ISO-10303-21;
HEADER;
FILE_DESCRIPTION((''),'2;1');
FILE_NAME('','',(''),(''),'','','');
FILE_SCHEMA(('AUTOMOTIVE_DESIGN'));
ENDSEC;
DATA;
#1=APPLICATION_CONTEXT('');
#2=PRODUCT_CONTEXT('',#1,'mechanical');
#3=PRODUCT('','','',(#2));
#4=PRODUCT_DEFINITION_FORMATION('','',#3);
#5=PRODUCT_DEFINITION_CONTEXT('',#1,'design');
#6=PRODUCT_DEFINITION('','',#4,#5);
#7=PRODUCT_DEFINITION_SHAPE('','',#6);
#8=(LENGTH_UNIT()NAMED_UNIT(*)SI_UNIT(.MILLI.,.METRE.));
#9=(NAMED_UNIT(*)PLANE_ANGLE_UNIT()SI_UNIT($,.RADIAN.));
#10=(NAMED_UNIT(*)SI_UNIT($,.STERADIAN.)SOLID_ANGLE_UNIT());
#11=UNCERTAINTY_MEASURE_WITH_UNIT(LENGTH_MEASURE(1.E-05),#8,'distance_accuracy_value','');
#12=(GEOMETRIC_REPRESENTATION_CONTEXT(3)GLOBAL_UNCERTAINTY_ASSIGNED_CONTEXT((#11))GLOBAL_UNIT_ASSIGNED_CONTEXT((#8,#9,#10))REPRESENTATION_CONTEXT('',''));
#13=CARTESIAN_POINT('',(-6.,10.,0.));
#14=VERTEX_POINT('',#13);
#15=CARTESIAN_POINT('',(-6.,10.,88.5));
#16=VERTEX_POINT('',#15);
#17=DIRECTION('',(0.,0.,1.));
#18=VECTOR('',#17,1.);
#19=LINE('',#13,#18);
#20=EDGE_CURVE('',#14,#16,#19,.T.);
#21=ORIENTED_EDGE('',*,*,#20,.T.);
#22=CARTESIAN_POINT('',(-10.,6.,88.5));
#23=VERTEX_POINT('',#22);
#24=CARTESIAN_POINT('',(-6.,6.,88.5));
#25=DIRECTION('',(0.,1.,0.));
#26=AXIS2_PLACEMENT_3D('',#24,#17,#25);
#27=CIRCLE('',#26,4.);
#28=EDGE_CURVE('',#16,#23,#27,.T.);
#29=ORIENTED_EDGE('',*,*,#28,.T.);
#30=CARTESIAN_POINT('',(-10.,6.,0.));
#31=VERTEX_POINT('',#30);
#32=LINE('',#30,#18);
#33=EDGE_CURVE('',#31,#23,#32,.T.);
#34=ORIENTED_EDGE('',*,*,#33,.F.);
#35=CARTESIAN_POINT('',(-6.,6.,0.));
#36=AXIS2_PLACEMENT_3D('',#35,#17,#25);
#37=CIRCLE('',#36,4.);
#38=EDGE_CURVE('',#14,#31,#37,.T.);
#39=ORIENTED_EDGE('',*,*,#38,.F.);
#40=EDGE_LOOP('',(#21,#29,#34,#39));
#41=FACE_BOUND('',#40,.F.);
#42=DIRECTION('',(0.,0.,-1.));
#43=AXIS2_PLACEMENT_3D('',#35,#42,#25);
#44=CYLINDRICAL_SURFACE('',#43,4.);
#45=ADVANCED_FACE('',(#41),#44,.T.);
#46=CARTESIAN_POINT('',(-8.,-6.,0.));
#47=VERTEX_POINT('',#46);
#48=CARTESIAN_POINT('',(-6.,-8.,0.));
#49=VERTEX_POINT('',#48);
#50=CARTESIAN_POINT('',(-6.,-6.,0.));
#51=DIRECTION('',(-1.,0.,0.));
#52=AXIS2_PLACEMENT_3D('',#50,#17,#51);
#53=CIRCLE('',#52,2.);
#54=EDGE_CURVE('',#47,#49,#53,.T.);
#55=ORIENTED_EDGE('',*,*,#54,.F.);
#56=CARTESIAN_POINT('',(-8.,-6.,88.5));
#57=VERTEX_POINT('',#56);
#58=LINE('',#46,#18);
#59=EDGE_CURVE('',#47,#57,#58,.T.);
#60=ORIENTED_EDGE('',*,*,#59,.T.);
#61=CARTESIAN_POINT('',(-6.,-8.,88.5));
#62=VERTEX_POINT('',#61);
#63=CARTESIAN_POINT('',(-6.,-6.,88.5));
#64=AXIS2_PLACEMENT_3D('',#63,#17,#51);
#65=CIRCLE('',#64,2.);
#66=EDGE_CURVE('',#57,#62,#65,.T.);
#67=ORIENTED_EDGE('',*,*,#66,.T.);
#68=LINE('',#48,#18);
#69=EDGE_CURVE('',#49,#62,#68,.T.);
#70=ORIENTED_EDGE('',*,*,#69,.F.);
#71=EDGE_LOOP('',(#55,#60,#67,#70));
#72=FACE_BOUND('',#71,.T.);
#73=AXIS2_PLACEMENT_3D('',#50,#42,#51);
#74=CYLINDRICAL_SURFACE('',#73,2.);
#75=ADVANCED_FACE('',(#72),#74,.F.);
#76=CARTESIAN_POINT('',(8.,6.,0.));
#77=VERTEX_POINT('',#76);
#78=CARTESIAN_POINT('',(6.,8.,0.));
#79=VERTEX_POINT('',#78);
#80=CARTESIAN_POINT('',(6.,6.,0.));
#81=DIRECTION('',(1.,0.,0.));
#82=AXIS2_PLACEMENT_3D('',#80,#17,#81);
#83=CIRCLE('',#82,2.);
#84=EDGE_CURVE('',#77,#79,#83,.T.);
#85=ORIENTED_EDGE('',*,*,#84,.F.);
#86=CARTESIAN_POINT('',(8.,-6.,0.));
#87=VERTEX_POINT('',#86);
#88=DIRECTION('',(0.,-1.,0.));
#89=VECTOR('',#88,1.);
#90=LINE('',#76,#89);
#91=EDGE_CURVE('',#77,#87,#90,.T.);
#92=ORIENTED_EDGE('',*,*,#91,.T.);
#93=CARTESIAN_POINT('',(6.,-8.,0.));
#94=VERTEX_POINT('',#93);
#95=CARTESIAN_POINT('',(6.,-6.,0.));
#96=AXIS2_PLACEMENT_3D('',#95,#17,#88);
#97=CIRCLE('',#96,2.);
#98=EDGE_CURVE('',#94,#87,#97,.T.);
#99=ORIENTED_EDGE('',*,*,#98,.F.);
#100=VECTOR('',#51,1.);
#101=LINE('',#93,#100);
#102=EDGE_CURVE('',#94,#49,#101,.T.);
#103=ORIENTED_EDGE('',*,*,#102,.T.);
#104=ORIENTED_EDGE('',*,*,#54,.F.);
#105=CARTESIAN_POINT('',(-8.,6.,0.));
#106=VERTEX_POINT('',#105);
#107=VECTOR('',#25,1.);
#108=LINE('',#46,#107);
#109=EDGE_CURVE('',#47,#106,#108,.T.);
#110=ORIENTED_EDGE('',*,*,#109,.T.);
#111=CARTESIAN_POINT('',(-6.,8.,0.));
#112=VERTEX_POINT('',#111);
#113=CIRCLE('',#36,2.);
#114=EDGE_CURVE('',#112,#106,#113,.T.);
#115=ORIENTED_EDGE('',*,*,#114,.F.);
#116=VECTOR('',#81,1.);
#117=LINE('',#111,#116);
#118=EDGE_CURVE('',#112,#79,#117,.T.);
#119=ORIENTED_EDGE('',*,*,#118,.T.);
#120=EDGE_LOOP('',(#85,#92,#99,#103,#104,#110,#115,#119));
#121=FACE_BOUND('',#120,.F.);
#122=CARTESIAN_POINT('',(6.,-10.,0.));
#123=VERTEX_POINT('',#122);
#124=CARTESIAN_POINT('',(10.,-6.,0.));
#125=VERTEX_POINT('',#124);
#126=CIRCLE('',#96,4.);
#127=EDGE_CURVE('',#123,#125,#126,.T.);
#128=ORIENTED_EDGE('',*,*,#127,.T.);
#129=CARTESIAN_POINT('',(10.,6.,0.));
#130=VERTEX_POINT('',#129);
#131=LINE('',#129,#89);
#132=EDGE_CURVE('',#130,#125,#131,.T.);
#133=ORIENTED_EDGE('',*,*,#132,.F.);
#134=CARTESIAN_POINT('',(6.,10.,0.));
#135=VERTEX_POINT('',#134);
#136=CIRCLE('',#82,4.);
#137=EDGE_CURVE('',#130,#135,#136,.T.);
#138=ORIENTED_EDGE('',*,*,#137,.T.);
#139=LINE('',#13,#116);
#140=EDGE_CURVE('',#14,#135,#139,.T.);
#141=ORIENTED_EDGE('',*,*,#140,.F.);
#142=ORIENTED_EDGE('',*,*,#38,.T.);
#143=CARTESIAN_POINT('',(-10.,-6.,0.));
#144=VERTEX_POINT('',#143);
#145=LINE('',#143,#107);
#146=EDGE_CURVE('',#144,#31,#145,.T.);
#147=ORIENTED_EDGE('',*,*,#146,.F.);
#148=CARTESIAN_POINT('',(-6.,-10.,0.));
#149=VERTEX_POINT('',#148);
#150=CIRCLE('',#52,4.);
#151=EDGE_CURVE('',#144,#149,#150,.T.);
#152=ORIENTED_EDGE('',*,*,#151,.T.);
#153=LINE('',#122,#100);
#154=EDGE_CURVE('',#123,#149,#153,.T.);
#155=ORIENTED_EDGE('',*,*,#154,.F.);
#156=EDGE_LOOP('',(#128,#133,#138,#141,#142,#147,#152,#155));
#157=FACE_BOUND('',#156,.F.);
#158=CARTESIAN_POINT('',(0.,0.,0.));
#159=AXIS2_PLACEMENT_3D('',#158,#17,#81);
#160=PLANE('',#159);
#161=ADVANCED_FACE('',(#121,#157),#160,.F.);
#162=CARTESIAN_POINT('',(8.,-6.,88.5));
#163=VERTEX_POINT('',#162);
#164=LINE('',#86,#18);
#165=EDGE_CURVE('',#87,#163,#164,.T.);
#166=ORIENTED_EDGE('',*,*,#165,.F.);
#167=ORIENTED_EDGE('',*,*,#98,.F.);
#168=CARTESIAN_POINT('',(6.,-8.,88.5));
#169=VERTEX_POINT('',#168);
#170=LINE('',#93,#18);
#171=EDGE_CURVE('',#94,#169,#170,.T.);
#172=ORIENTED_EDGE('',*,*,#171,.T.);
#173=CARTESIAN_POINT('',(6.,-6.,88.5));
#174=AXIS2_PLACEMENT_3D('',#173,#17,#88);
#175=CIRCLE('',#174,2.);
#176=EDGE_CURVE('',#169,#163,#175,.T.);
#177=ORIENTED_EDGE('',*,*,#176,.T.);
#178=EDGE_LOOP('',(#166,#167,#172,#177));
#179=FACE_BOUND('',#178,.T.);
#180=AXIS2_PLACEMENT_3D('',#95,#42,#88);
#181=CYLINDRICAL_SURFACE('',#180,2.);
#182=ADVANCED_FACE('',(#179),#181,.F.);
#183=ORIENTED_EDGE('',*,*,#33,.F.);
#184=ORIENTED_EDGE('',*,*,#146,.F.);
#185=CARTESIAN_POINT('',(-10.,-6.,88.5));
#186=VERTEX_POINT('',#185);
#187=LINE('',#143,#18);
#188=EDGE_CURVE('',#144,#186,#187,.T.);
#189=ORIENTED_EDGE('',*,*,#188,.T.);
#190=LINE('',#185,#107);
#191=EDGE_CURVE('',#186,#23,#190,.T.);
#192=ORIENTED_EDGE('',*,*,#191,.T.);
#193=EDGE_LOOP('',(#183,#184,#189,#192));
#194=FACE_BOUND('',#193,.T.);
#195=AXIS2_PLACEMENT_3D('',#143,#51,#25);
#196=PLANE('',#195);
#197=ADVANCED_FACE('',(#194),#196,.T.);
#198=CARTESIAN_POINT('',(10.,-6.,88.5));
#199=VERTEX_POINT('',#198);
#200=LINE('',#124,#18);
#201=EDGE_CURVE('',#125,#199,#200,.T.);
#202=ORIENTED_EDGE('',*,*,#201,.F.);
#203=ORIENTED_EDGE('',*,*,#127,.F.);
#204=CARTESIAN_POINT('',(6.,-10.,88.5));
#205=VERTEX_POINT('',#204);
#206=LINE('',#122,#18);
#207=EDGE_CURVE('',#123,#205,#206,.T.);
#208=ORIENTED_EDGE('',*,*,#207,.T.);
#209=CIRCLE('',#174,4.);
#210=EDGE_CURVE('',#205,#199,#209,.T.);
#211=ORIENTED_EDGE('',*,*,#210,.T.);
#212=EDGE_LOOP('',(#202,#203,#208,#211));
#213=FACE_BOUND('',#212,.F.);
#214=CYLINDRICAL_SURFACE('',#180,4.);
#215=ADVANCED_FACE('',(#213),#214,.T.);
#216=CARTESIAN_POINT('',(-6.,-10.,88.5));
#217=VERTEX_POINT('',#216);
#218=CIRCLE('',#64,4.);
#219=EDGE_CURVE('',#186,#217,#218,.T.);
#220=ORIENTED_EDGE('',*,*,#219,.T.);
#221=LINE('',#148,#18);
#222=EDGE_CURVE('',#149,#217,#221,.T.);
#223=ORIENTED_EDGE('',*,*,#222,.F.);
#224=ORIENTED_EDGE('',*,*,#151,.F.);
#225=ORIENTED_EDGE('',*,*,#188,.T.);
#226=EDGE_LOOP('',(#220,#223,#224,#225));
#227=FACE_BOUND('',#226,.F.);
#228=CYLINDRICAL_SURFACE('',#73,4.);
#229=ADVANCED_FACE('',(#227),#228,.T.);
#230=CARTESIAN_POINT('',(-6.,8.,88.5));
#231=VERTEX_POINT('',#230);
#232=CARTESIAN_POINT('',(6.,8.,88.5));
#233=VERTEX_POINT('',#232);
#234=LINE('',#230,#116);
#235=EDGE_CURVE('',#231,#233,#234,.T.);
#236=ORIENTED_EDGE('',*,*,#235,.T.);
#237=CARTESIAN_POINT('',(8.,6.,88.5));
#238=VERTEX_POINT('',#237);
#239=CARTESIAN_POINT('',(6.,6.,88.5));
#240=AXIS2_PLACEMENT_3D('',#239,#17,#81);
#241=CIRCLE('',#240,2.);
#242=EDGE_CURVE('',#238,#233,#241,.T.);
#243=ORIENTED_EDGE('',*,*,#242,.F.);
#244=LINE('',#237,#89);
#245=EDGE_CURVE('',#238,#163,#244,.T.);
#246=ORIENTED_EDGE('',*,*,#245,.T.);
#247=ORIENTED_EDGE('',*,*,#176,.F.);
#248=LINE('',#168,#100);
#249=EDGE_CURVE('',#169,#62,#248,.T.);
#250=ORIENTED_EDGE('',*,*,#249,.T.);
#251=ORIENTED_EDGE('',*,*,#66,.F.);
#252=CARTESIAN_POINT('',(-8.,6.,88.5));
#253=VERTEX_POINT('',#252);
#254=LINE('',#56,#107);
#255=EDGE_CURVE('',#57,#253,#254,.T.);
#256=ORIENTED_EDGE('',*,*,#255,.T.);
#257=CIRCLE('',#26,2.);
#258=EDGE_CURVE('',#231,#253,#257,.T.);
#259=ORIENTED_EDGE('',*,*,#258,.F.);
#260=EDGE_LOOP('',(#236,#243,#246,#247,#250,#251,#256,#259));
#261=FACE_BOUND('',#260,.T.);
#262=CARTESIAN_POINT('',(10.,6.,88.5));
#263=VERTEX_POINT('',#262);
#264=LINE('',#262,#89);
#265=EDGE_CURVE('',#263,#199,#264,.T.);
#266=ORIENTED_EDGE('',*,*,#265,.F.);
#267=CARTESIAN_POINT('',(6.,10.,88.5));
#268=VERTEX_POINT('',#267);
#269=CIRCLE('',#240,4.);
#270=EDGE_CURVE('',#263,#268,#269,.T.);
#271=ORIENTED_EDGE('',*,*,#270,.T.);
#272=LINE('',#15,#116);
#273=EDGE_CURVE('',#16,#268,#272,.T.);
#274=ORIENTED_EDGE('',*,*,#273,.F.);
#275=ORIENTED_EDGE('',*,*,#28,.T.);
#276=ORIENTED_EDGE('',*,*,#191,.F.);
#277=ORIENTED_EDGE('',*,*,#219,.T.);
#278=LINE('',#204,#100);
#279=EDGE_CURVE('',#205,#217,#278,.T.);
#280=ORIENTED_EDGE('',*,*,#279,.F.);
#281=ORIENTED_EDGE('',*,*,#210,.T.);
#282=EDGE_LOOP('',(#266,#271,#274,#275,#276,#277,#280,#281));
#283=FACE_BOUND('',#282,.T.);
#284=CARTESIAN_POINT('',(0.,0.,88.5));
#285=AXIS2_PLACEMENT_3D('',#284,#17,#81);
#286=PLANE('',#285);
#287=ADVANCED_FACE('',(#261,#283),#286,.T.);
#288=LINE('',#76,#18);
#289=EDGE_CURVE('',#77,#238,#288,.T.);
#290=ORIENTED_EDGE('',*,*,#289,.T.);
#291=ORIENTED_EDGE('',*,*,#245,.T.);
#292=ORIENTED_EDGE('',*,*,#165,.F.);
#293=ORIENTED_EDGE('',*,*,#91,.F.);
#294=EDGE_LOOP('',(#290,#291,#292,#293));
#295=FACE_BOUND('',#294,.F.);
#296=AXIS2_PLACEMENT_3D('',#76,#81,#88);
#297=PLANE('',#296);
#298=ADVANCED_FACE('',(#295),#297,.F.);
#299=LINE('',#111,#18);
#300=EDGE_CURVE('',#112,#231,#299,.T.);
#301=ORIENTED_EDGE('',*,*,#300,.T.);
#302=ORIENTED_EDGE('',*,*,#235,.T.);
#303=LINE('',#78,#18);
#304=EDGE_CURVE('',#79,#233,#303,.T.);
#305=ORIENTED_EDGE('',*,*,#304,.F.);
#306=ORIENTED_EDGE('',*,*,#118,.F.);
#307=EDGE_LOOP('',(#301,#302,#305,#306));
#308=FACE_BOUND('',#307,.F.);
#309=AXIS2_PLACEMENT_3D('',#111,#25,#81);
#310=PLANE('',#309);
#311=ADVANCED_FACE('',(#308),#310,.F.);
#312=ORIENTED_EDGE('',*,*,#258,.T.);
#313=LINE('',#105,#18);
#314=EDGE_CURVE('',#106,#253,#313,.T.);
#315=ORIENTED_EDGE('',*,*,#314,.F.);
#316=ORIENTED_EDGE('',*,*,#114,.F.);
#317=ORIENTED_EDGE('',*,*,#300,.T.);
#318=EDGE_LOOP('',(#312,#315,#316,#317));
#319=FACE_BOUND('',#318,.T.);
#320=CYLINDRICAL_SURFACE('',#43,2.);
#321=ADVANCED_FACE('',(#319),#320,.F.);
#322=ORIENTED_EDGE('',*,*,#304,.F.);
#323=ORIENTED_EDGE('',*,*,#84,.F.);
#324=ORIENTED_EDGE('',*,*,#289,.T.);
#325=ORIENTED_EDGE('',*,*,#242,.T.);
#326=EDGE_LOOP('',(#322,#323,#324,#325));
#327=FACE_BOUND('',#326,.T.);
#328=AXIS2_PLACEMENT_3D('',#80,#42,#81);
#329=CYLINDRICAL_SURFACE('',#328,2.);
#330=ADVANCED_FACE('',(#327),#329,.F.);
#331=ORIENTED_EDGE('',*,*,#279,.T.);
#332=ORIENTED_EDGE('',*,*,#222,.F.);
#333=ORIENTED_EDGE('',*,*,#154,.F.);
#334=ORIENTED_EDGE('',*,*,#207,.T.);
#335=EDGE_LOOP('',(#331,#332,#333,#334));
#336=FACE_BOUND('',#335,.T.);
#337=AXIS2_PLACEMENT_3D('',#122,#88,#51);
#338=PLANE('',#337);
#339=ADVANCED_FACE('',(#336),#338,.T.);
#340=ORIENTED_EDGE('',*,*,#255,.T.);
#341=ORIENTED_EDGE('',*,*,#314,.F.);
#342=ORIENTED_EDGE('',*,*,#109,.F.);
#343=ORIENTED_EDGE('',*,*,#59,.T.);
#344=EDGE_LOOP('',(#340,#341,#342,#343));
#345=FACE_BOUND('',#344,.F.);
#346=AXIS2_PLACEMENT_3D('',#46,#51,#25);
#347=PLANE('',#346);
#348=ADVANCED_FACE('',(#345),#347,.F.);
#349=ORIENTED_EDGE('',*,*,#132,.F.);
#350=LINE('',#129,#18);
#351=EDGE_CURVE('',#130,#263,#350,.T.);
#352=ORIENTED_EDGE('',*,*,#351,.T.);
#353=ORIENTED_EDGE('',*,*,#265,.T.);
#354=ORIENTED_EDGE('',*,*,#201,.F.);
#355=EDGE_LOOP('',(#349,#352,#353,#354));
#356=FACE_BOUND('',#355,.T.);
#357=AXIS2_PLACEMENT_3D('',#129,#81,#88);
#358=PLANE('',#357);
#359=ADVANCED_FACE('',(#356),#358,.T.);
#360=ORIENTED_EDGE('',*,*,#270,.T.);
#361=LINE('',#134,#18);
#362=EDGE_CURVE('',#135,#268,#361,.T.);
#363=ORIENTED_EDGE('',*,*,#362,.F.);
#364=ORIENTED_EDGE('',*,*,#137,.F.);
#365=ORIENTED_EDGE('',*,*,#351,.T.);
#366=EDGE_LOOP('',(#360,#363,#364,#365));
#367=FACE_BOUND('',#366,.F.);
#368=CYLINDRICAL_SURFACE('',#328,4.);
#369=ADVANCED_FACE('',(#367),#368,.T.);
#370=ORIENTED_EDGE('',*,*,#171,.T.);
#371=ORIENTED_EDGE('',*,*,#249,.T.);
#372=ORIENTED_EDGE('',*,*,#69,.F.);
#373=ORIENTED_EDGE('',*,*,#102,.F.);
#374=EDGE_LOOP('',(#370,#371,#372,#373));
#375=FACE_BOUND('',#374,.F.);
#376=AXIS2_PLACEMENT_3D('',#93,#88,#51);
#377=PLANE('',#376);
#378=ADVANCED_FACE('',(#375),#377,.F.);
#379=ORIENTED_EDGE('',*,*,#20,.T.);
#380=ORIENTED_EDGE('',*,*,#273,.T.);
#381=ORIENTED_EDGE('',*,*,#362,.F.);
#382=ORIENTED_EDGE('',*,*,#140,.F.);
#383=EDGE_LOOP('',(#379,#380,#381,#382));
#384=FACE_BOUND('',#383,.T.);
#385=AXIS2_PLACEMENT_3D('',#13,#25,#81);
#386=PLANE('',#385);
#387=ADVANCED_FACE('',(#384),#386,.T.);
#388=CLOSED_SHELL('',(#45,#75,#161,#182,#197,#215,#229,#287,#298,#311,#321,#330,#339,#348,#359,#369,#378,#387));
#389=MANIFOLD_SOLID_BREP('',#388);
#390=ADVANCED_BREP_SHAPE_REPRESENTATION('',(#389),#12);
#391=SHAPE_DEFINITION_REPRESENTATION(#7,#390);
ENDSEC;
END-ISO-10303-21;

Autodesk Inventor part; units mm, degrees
ref_plane "YZ Plane" through (0, 0, 0) normal (1, 0, 0) x (0, 1, 0)
ref_plane "Plan de départ" through (0, 0, 0) normal (0, 0, 1) x (1, 0, 0)
ref_plane "Plan de fin" through (0, 0, 88.5) normal (0, 0, 1) x (1, 0, 0)
sketch "Esquisse" plane through (0, 0, 0) normal (0, 0, 1) x (1, 0, 0)
  line L0 (-10, -6) -> (-10, 6)
  line L1 (-6, 10) -> (6, 10)
  line L2 (10, 6) -> (10, -6)
  line L3 (6, -10) -> (-6, -10)
  arc A0 (-10, -6) -> (-6, -10) centre (-6, -6) ccw
  arc A1 (10, 6) -> (6, 10) centre (6, 6) ccw
  arc A2 (-6, 10) -> (-10, 6) centre (-6, 6) ccw
  arc A3 (6, -10) -> (10, -6) centre (6, -6) ccw
  arc A4 (-6, 8) -> (-8, 6) centre (-6, 6) ccw
  line L4 (-6, 8) -> (6, 8)
  arc A5 (8, 6) -> (6, 8) centre (6, 6) ccw
  line L5 (8, 6) -> (8, -6)
  arc A6 (6, -8) -> (8, -6) centre (6, -6) ccw
  line L6 (6, -8) -> (-6, -8)
  arc A7 (-8, -6) -> (-6, -8) centre (-6, -6) ccw
  line L7 (-8, -6) -> (-8, 6)
  line L8 (0, 15.1598) -> (0, -15.1598) construction
  line L9 (-15.1598, 0) -> (15.1598, 0) construction
  dimension "d7" = 4
  dimension "d9" = 20
  dimension "d11" = 20
  dimension "d12" = 2
  dimension "d15" = 10
  dimension "d16" = 10
extrude "Corps" add sketch "Esquisse" along normal up to surface (88.5 mm away) from surface at 0
sketch "Sketch3" plane through (0, 0, 0) normal (0, 0, 1) x (1, 0, 0)
  line L0 (0, 0) -> (10, 0)
ref_plane "Work Plane3" through (0, 0, 0) normal (0, -1, 0) x (1, 0, 0)
sketch "Sketch4" plane through (0, 0, 0) normal (0, -1, 0) x (1, 0, 0)
  line L0 (-2, 0) -> (12, 0) projected
  line L1 (-2, 88.5) -> (12, 88.5) projected
  dimension "d18" = 88.5
equation "\"d7\" = G_IR"
equation "\"d9\" = G_W"
equation "\"d11\" = G_H"
equation "\"d12\" = G_T"
equation "\"d15\" = 0.5 * d9"
equation "\"d16\" = 0.5 * d11"
equation "\"d3\" = G_L"
equation "\"G_W\" = 20"
equation "\"G_H\" = 20"
equation "\"G_T\" = 2"
equation "\"G_IR\" = 4"
equation "\"G_L\" = d18"
equation "\"G_OFFSET_START\" = 0"
equation "\"G_OFFSET_END\" = 0"
equation "\"d14\" = G_OFFSET_END + B_L"
equation "\"B_L\" = 88.5"
properties part number "ISO 10799-2 - 20x20x2 - 88,5" material "Acier, doux"
